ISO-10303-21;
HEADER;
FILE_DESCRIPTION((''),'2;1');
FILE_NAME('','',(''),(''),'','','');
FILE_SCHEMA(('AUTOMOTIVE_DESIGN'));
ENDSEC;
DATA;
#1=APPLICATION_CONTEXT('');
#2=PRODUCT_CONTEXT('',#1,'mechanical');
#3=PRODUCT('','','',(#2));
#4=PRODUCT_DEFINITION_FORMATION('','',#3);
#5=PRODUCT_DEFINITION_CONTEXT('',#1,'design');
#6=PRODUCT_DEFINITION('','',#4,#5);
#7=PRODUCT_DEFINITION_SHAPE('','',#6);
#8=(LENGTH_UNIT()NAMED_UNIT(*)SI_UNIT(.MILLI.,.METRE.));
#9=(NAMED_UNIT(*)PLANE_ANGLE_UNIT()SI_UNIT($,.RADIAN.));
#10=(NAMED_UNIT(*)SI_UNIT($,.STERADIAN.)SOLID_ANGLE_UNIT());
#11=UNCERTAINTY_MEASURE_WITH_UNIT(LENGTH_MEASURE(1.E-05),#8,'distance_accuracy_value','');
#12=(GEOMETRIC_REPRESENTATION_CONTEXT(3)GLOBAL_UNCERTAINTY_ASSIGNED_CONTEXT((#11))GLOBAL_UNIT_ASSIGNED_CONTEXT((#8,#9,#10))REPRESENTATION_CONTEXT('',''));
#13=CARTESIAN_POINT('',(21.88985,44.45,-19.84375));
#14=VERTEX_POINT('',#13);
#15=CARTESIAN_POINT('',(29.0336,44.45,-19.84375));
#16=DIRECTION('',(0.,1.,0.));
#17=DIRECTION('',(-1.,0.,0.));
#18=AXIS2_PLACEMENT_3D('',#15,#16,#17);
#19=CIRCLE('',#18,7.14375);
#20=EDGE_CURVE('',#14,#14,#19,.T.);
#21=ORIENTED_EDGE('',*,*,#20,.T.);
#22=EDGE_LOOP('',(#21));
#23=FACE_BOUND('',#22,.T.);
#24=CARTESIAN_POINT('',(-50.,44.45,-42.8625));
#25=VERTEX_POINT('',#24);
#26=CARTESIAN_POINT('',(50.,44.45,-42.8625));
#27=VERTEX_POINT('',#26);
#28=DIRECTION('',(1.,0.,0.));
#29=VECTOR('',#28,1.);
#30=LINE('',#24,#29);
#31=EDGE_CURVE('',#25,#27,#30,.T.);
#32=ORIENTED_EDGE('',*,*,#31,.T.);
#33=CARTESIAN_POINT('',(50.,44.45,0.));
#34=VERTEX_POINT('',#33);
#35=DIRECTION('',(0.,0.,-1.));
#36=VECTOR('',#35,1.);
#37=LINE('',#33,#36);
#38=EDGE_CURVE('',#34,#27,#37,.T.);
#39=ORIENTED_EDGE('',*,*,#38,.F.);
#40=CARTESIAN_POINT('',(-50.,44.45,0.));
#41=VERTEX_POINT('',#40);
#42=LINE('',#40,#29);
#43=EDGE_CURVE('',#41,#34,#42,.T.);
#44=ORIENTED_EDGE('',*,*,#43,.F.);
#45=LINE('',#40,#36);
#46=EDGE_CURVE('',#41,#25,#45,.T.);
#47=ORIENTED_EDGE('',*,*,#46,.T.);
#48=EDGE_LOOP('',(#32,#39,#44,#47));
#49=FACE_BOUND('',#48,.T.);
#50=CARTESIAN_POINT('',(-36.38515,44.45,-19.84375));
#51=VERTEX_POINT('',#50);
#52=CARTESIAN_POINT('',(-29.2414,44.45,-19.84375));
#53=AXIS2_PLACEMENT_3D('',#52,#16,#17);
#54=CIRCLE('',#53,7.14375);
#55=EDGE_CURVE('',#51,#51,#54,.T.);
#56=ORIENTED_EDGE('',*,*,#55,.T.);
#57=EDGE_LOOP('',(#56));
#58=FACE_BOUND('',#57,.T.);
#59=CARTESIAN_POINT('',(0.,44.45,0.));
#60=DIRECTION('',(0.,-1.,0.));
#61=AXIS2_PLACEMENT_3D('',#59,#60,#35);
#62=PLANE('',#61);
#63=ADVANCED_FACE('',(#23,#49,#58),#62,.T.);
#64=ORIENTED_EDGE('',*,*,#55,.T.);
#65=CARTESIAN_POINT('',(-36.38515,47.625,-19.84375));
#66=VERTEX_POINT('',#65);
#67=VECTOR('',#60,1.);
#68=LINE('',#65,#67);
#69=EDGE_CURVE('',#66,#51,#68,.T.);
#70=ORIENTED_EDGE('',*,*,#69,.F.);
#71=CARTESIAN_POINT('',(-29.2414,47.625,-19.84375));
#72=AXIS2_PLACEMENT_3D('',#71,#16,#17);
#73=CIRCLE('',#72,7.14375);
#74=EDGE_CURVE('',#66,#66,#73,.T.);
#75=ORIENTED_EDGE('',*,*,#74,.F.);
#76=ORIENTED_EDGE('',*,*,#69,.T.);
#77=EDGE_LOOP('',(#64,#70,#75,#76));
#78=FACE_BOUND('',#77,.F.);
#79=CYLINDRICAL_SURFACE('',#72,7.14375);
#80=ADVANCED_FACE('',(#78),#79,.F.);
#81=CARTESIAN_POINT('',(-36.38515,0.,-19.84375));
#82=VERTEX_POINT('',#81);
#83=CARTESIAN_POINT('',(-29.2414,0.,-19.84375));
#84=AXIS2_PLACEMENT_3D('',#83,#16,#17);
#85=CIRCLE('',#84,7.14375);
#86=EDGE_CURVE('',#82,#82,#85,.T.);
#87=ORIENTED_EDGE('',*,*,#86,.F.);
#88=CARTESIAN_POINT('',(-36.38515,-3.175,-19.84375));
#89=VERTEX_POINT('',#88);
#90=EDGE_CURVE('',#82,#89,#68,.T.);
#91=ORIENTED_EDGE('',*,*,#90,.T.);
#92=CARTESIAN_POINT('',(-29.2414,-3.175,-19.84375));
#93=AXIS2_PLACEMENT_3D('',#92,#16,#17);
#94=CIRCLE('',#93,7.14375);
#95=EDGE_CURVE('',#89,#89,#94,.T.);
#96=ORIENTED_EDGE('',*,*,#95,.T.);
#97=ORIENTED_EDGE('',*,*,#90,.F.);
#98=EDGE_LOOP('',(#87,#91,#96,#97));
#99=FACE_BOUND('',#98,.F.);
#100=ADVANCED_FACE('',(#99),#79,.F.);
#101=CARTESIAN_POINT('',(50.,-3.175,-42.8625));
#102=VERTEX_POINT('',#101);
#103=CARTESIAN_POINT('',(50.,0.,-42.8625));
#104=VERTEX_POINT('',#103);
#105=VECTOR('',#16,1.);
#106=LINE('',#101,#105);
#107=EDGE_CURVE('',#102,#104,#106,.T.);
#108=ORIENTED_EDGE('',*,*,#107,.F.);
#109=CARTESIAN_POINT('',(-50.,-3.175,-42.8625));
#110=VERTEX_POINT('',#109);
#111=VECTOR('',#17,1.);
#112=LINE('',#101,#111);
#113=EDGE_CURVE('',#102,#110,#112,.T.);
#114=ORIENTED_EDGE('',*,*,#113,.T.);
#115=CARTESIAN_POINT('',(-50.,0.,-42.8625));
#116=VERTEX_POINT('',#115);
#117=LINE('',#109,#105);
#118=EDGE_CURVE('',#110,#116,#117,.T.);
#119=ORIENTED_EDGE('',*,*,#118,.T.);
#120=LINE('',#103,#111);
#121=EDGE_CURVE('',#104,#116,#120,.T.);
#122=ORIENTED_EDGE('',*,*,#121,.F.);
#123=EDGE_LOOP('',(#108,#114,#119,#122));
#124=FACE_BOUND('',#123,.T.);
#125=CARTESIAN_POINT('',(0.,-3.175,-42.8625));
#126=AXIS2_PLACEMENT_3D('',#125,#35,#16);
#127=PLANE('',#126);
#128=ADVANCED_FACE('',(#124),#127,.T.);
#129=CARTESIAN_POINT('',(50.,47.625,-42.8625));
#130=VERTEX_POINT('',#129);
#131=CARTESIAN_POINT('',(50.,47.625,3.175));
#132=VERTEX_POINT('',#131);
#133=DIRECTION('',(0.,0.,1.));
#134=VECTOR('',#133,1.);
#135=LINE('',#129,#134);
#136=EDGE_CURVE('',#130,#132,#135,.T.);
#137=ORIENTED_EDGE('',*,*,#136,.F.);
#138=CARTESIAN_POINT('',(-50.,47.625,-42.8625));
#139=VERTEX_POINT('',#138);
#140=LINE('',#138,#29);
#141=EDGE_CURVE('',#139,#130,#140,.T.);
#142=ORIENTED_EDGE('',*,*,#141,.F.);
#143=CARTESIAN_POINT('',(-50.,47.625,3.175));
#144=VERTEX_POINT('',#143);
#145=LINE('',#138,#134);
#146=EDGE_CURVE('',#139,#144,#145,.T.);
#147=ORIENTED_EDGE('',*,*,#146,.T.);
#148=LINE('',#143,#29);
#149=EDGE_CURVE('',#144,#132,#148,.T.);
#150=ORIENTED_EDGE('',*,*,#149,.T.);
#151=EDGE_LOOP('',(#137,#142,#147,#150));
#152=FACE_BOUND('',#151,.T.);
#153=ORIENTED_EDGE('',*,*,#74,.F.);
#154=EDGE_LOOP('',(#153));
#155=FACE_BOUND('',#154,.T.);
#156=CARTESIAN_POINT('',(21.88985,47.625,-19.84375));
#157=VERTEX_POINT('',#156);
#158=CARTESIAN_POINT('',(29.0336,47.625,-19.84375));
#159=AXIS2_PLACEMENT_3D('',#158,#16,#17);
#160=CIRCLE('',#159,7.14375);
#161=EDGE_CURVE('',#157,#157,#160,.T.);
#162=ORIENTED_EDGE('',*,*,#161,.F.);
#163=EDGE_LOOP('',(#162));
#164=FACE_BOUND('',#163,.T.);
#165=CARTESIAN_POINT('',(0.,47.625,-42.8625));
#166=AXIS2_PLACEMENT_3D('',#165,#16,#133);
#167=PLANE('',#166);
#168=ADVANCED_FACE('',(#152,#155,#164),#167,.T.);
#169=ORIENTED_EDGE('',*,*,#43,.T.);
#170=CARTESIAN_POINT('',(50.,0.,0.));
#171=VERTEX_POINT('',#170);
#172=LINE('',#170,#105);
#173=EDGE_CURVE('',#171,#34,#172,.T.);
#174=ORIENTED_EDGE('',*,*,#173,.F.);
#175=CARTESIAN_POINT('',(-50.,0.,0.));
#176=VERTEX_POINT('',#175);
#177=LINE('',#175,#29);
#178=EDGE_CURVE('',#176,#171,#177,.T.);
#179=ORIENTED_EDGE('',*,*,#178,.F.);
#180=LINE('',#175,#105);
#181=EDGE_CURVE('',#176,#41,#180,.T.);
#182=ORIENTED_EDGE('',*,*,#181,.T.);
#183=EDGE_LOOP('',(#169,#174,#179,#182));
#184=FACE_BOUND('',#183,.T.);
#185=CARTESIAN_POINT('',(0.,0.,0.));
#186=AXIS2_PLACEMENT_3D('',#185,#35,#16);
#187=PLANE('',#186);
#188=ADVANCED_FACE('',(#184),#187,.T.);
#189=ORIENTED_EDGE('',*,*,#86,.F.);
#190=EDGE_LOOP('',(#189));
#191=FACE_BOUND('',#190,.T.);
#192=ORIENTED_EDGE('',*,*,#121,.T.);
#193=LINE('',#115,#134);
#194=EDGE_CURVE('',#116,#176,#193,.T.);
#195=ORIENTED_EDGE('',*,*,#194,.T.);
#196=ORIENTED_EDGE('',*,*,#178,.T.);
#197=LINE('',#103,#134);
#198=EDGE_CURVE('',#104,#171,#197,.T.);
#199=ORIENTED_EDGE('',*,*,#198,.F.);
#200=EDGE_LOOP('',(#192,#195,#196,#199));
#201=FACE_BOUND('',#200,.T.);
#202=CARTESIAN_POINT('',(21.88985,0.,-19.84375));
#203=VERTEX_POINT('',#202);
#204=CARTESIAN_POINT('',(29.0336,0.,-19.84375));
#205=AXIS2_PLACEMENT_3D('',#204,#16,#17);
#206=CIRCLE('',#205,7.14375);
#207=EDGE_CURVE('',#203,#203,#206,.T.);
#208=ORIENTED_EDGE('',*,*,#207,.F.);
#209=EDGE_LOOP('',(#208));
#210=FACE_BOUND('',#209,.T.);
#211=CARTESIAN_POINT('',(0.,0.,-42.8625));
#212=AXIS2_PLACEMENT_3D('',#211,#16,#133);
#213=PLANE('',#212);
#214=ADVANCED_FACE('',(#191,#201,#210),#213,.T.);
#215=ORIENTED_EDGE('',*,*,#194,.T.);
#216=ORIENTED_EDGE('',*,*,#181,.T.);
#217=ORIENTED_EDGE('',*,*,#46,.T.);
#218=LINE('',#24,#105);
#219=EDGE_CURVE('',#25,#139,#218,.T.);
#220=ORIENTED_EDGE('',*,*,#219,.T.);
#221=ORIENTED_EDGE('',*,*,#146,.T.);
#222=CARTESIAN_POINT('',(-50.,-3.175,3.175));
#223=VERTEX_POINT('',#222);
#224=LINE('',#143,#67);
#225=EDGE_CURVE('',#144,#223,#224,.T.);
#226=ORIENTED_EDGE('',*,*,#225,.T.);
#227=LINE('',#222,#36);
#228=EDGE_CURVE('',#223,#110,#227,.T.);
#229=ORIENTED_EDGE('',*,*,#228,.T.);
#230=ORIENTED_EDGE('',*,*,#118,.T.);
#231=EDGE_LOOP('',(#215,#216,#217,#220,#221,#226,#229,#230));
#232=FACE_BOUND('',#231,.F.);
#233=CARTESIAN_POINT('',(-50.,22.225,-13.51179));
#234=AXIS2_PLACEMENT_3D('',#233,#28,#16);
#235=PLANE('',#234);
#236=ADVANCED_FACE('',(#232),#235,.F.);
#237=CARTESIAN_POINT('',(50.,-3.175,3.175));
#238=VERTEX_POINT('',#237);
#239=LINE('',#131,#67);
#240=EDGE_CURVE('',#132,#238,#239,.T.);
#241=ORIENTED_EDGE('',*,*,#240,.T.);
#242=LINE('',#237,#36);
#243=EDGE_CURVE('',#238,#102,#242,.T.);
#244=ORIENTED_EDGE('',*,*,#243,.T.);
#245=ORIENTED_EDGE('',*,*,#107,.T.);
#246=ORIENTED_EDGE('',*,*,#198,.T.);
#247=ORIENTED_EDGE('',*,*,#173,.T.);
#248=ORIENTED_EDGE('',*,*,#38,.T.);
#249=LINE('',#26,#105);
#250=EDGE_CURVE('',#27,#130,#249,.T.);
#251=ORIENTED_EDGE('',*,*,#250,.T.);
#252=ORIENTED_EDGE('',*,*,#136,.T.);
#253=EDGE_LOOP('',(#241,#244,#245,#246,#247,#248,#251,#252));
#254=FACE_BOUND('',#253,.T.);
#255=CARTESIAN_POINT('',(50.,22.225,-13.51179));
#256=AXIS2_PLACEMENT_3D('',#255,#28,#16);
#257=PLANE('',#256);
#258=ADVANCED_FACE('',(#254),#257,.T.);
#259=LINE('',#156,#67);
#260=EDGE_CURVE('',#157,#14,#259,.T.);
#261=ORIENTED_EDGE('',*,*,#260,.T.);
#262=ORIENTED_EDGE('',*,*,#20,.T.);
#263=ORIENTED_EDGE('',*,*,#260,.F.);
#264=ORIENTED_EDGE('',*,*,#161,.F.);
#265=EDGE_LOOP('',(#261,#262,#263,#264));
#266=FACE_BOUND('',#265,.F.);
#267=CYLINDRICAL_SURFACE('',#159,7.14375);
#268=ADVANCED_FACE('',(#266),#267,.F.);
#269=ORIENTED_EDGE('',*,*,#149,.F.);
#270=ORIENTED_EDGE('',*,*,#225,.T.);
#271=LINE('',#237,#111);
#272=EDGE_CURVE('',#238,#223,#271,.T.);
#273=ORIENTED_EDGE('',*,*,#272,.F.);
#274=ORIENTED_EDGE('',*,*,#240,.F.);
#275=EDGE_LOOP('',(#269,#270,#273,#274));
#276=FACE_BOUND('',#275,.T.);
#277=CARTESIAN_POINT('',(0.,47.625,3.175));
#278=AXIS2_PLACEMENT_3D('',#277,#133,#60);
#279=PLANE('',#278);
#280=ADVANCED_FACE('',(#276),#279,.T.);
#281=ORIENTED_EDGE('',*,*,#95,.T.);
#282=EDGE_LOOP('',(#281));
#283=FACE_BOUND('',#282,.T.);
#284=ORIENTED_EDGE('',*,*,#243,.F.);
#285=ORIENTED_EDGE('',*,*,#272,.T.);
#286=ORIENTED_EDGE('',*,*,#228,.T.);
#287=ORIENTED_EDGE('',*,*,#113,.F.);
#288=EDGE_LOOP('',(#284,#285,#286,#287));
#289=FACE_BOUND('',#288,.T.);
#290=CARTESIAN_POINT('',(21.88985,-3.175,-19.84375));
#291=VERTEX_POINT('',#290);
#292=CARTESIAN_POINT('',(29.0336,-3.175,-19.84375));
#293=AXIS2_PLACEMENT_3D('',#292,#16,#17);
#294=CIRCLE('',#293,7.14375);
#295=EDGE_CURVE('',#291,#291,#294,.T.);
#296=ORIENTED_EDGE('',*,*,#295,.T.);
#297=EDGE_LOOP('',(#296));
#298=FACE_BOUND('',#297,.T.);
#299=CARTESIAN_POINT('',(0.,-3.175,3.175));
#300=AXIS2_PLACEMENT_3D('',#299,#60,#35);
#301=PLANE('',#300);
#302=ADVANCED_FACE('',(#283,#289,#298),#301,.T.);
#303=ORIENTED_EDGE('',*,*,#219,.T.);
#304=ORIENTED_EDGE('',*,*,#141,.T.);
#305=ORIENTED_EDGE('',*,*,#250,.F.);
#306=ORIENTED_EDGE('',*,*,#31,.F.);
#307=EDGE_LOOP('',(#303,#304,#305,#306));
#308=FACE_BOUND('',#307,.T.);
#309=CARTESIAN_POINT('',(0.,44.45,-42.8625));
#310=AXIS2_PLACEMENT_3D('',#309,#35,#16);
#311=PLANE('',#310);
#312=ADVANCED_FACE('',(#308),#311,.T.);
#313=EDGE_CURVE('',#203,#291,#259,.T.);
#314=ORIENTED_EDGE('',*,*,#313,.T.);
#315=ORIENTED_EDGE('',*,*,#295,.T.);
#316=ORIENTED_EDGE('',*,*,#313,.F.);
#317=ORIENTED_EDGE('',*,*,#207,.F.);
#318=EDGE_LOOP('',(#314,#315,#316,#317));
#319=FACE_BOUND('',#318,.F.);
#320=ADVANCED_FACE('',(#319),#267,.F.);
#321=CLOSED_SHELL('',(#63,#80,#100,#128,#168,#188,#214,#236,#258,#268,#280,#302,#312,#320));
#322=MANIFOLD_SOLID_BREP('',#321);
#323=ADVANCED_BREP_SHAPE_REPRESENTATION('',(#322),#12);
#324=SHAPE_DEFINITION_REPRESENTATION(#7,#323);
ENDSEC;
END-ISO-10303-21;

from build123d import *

# Parameters (mm, degrees)
F1_DEPTH = 50
F2_R     = 7.14375
F3_DEPTH = 50.801


with BuildPart() as f1:
    # F0 (on Right) → F1 (new body, symmetric)
    with BuildSketch(Plane.YZ):
        Polygon((0, -42.8625), (0, 0), (44.45, 0), (44.45, -42.8625), (47.625, -42.8625), (47.625, 3.175), (-3.175, 3.175), (-3.175, -42.8625), align=None)
    extrude(amount=F1_DEPTH, both=True)

    # F2 (on face) → F3 (cut, through all)
    with BuildSketch(Plane(origin=(0, 47.625, 0), x_dir=(-1, 0, 0), z_dir=(0, 1, 0))):
        with Locations((-29.0336, -19.84375)):
            Circle(F2_R)
        with Locations((29.2414, -19.84375)):
            Circle(F2_R)
    extrude(amount=-F3_DEPTH, mode=Mode.SUBTRACT)


solid = f1.part
